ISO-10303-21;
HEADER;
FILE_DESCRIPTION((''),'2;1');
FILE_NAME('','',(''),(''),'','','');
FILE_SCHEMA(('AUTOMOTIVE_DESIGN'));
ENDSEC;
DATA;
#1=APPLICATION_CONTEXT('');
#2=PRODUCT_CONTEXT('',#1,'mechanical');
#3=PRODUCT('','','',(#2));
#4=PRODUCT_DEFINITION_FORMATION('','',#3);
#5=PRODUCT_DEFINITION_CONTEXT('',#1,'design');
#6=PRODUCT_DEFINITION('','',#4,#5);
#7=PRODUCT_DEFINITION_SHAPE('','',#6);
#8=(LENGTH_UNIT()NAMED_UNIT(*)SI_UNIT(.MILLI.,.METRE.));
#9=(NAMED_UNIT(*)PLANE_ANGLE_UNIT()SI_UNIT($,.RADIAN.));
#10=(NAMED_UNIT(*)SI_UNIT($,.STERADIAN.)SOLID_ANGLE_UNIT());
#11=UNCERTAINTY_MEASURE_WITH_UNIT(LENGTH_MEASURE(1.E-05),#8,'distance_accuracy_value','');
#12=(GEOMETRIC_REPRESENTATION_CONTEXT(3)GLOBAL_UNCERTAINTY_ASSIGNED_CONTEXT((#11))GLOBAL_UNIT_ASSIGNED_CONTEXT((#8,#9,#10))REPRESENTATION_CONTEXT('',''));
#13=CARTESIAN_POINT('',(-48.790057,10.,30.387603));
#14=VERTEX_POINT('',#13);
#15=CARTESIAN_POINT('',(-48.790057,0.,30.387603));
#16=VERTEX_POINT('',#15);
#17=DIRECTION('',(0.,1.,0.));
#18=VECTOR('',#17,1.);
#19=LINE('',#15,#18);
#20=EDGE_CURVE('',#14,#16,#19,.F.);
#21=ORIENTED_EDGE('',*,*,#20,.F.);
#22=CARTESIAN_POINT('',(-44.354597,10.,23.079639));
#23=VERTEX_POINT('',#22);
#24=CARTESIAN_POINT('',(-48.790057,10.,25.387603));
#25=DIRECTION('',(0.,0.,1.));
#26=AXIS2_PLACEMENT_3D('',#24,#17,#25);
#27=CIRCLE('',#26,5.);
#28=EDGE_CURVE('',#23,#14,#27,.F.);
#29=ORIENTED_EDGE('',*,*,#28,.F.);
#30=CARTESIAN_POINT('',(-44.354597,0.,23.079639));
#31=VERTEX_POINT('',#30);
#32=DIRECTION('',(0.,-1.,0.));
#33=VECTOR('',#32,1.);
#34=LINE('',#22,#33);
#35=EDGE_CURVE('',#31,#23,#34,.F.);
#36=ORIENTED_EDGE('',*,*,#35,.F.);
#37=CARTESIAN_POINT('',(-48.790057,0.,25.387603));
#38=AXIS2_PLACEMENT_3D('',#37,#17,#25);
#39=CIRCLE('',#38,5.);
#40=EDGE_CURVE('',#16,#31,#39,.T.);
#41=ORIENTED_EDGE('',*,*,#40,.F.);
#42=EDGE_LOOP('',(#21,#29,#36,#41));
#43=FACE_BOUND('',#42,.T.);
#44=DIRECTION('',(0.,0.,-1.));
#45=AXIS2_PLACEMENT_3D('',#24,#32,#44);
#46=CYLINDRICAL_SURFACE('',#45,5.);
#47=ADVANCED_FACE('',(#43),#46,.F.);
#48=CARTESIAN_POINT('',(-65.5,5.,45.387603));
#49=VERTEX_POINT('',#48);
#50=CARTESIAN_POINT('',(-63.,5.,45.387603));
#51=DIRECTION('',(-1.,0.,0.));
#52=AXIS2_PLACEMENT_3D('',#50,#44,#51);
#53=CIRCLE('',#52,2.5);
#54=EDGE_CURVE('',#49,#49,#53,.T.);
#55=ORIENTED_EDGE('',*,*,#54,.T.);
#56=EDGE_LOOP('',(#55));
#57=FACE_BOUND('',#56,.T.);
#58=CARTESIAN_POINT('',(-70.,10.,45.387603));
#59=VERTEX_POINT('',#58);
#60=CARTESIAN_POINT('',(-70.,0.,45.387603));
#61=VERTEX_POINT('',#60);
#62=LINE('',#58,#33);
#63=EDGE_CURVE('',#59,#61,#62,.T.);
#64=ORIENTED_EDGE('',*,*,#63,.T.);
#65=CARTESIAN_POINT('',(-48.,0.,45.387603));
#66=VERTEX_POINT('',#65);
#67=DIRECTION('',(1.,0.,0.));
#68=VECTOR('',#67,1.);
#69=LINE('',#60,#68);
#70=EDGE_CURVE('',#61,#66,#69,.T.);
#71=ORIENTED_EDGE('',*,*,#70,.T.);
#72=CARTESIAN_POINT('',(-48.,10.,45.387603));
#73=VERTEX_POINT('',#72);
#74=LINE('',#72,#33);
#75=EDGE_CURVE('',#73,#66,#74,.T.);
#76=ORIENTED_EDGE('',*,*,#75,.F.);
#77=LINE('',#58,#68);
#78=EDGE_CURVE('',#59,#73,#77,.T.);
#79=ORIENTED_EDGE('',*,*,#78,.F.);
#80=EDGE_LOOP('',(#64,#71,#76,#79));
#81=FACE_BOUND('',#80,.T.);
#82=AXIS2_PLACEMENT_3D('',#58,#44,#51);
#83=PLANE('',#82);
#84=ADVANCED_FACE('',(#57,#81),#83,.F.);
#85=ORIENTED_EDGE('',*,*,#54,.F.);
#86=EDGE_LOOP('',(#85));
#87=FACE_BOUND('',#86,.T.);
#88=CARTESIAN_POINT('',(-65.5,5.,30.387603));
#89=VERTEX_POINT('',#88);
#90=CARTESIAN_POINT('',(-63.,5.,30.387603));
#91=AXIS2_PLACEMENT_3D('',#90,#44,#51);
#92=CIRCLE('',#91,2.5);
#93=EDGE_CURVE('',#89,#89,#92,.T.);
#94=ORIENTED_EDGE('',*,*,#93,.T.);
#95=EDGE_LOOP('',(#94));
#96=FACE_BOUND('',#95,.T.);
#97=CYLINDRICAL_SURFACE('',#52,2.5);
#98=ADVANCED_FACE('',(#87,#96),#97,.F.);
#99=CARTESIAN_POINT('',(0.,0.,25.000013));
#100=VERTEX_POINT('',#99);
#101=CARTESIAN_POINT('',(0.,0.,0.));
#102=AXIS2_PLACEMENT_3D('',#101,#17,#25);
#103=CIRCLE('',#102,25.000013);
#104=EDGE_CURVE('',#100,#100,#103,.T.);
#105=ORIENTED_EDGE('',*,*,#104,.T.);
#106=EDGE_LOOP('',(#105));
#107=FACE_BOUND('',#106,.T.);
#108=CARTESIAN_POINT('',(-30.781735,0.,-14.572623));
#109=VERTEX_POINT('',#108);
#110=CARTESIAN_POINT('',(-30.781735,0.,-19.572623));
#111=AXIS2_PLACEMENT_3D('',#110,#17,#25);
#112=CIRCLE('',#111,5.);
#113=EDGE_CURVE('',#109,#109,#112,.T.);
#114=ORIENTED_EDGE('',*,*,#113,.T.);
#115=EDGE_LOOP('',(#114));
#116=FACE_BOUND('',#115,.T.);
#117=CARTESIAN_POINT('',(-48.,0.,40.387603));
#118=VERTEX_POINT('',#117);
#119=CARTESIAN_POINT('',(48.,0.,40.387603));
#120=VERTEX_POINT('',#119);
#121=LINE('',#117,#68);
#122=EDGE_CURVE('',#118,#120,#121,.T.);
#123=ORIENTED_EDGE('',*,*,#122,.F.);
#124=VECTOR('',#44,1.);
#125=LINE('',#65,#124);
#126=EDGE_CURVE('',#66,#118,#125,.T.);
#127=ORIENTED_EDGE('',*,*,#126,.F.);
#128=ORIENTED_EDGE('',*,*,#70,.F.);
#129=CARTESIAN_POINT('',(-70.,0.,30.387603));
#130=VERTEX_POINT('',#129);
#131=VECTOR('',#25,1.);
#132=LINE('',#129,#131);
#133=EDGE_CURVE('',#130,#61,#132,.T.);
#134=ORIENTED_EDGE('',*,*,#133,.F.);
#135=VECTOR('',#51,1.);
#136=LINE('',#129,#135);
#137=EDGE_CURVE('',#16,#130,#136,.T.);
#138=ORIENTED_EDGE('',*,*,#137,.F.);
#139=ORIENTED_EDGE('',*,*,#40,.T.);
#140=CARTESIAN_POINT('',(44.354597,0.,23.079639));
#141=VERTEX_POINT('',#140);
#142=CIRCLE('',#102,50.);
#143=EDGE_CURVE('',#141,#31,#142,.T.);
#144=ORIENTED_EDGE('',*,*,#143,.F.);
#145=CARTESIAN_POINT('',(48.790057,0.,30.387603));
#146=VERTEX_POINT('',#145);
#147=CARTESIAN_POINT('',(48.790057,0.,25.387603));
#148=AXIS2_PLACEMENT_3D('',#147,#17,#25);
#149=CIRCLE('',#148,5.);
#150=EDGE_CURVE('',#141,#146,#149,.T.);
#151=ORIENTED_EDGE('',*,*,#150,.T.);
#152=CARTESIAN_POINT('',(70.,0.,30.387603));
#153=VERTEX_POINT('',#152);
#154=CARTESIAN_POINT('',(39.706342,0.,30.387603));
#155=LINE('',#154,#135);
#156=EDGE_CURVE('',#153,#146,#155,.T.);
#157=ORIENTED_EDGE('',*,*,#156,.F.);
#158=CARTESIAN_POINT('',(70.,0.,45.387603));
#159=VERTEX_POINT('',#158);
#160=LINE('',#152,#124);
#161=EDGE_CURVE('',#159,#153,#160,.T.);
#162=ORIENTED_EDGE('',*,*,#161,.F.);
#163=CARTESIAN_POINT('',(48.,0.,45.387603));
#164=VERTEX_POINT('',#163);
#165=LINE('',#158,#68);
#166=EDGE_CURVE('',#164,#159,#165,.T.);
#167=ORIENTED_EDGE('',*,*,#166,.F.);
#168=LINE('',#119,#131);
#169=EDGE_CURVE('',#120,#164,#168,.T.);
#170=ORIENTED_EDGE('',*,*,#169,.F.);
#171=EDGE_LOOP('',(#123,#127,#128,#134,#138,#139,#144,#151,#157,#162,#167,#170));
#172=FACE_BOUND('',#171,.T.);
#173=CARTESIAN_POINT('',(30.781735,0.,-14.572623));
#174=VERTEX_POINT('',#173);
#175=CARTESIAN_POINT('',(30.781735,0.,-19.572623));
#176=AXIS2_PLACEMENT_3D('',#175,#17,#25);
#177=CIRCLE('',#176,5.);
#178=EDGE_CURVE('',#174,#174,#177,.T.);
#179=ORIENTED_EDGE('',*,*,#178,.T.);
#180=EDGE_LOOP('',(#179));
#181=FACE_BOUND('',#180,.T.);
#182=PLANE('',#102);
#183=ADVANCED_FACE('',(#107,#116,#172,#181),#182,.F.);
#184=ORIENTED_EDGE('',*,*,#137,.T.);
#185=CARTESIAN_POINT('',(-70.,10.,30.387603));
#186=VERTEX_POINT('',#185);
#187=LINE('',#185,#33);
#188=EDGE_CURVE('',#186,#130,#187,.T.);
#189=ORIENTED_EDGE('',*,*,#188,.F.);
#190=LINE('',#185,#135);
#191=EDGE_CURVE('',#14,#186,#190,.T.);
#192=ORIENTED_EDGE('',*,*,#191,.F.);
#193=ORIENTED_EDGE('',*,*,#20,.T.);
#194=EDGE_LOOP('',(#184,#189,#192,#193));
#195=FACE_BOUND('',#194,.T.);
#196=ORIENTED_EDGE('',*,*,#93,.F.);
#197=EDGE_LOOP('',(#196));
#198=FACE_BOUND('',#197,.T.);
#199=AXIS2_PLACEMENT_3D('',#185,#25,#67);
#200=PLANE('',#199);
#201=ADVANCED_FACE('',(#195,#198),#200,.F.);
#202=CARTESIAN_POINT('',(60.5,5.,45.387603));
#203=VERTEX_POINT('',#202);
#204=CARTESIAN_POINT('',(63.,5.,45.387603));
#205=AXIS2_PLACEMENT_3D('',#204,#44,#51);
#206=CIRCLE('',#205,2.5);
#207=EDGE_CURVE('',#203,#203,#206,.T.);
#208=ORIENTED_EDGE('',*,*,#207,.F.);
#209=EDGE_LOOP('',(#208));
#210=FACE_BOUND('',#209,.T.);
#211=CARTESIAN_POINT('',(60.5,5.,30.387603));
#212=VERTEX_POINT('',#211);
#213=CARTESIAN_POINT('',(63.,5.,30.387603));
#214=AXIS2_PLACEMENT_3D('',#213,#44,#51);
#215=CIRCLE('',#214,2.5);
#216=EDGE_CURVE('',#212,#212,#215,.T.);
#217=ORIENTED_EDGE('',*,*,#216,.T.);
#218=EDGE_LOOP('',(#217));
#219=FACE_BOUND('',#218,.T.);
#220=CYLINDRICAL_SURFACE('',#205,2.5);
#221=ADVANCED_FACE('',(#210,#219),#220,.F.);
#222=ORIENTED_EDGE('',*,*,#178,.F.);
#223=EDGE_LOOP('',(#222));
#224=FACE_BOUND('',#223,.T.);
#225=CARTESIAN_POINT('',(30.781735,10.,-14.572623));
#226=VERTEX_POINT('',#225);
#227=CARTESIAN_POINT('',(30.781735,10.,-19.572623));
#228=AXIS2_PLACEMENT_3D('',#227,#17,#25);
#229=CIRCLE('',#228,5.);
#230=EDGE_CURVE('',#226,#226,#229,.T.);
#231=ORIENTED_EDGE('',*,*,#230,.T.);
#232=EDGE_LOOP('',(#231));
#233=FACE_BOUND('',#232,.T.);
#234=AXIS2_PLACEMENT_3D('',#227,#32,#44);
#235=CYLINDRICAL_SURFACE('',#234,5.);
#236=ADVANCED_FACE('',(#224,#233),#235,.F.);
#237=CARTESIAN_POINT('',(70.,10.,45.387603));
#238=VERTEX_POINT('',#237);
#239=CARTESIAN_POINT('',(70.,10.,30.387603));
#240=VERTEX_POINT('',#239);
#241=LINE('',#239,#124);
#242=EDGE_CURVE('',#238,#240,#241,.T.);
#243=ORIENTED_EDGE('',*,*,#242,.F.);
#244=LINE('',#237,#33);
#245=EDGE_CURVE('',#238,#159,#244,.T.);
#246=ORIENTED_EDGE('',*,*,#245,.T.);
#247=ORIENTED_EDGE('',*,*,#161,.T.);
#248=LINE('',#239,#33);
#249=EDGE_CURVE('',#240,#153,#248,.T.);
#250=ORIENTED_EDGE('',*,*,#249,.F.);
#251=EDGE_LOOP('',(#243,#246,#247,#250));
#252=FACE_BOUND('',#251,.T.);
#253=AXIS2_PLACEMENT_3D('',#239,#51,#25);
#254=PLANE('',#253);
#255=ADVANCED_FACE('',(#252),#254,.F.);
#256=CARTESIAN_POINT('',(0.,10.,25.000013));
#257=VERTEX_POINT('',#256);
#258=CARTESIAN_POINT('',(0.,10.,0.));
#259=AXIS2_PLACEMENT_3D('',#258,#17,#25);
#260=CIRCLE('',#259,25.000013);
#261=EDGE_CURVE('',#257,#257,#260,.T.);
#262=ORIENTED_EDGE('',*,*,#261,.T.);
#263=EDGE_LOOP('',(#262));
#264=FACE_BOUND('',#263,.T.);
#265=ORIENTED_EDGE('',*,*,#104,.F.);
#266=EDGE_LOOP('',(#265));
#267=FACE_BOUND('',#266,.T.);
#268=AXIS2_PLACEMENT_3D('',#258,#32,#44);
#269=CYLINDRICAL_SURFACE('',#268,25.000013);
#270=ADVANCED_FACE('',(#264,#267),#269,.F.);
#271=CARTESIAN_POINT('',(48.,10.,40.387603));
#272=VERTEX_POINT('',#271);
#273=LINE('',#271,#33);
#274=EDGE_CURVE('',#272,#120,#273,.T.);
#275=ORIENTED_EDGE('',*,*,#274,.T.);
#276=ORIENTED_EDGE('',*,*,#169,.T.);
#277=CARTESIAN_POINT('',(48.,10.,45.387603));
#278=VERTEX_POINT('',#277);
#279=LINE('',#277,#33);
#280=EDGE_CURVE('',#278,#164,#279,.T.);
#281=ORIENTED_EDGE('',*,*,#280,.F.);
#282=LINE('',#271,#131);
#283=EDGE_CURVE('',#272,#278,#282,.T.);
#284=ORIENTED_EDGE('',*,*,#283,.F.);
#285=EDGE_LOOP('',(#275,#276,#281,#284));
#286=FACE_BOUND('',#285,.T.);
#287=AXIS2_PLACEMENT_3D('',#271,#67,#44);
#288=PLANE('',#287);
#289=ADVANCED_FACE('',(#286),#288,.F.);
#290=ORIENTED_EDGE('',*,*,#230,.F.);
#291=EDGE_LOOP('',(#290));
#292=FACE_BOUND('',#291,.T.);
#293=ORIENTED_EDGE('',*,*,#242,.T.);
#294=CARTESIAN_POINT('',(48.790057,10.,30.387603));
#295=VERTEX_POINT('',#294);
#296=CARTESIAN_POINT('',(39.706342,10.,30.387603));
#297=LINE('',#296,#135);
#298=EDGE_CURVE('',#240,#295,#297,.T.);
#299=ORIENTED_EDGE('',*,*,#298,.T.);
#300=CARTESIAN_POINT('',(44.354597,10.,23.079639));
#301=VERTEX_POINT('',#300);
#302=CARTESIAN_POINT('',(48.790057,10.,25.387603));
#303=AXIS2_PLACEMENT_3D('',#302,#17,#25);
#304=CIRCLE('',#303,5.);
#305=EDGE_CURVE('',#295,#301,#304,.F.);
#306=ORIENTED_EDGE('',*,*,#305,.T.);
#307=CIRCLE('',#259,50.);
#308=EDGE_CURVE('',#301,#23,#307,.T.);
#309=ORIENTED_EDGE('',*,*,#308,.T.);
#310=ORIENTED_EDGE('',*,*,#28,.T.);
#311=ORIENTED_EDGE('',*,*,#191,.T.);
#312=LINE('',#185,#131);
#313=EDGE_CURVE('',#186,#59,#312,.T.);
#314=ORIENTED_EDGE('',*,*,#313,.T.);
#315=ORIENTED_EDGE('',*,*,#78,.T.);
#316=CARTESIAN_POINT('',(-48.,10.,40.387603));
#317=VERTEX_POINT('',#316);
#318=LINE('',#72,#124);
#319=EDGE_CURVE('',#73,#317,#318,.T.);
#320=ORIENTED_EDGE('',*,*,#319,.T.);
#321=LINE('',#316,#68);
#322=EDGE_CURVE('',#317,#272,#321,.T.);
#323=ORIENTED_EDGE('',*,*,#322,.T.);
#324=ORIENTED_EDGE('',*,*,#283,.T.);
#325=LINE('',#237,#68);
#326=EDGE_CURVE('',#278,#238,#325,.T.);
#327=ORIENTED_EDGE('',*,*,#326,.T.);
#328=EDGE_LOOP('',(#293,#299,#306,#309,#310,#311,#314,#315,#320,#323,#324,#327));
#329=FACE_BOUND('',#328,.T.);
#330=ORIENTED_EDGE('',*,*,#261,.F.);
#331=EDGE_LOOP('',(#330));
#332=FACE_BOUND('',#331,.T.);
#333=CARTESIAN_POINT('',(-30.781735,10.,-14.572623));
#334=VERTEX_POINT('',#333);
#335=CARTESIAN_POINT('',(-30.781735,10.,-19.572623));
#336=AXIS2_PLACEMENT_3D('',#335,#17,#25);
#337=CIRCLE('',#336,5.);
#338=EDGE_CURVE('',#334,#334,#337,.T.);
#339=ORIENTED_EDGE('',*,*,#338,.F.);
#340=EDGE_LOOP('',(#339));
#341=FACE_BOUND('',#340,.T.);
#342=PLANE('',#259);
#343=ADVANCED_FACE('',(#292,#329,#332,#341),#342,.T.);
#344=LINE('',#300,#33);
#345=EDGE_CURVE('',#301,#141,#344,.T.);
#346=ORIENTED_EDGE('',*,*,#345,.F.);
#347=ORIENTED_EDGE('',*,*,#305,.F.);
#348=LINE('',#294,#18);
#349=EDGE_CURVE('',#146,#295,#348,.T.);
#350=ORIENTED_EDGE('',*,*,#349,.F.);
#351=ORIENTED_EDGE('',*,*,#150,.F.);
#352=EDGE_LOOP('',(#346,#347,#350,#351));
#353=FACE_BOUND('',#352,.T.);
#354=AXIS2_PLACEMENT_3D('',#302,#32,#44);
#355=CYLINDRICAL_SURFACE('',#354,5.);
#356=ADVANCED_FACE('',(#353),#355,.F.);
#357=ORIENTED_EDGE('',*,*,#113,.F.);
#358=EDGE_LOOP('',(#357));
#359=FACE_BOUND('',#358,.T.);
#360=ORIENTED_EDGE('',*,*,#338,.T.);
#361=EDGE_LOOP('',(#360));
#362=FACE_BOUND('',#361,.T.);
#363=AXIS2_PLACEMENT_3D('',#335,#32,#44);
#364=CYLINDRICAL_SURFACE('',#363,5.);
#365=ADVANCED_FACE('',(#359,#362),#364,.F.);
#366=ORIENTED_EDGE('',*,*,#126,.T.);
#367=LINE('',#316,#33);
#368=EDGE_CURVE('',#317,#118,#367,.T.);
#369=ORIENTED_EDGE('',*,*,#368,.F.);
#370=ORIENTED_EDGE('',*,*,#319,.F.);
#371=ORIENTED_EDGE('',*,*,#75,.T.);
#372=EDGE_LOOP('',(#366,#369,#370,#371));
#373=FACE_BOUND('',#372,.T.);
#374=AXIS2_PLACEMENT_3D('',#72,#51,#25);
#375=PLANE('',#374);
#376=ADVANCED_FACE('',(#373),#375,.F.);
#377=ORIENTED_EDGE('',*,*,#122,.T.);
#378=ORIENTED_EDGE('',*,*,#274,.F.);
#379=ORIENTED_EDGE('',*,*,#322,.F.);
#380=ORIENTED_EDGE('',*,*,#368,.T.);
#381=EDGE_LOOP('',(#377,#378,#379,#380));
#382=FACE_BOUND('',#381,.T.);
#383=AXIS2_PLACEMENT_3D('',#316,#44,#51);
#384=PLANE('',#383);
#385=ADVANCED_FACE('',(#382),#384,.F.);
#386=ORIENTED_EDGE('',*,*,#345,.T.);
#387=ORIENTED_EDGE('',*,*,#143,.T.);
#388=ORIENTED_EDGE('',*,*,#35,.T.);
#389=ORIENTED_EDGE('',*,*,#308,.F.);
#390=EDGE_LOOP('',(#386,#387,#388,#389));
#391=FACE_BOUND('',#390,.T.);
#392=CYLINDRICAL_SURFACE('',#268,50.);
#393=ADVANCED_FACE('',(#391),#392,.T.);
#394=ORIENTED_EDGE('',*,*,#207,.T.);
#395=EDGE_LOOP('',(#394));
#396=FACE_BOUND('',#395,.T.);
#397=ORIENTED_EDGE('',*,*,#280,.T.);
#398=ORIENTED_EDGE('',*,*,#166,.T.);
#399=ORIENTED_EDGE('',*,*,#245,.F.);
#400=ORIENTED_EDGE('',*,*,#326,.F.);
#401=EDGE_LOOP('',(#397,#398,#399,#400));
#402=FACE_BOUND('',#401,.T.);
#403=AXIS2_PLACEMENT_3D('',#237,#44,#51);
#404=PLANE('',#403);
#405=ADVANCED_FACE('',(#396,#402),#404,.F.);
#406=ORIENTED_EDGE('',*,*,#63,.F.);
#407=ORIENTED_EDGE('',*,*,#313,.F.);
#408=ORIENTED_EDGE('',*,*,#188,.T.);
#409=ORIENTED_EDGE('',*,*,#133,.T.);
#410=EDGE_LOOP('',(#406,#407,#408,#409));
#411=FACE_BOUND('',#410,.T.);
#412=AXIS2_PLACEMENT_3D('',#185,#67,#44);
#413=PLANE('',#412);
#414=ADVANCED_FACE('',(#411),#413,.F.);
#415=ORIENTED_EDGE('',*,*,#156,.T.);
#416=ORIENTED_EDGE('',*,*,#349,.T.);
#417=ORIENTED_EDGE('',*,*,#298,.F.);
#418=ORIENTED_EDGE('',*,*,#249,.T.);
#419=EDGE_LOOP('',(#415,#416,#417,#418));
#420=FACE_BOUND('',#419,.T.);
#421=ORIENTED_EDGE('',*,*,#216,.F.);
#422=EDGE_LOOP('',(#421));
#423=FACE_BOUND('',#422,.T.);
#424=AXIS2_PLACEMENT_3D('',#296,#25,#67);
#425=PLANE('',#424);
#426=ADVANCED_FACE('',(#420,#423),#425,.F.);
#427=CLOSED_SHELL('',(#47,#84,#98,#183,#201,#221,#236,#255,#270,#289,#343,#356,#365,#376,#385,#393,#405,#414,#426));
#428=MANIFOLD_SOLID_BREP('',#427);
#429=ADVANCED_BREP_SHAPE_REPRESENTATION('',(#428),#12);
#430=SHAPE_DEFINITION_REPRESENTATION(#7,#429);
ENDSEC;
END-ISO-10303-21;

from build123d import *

# Parameters (mm, degrees)
SKETCH1_R           = 25.000012525
SKETCH1_R_2         = 5
BOSS_EXTRUDE1_DEPTH = 10
SKETCH3_R           = 2.5
CUT_EXTRUDE1_DEPTH  = 16
SKETCH4_R           = 2.5
CUT_EXTRUDE2_DEPTH  = 16
FILLET1_R           = 5
FILLET2_R           = 5


with BuildPart() as part:
    # Sketch1 → Boss-Extrude1 (new body)
    with BuildSketch(Plane(origin=(0, 0, 0), x_dir=(1, 0, 0), z_dir=(0, 1, 0))):
        with BuildLine():
            Line((-70, -30.387602841), (-39.706341981, -30.387602841))
            ThreePointArc((-39.706341981, -30.387602841), (0, 50), (39.706341981, -30.387602841))
            Line((39.706341981, -30.387602841), (70, -30.387602841))
            Line((70, -30.387602841), (70, -45.387602841))
            Line((70, -45.387602841), (48, -45.387602841))
            Line((48, -45.387602841), (48, -40.387602841))
            Line((48, -40.387602841), (-48, -40.387602841))
            Line((-48, -40.387602841), (-48, -45.387602841))
            Line((-48, -45.387602841), (-70, -45.387602841))
            Line((-70, -45.387602841), (-70, -30.387602841))
        make_face()
        Circle(SKETCH1_R, mode=Mode.SUBTRACT)
        with Locations((30.781735211, 19.572623378)):
            Circle(SKETCH1_R_2, mode=Mode.SUBTRACT)
        with Locations((-30.781735211, 19.572623378)):
            Circle(SKETCH1_R_2, mode=Mode.SUBTRACT)
    extrude(amount=BOSS_EXTRUDE1_DEPTH)

    # Sketch3 → Cut-Extrude1 (cut, through all)
    with BuildSketch(Plane(origin=(0, 0, 30.387602841), x_dir=(-1, 0, 0), z_dir=(0, 0, -1))):
        with Locations((-63, 5)):
            Circle(SKETCH3_R)
    extrude(amount=-CUT_EXTRUDE1_DEPTH, mode=Mode.SUBTRACT)

    # Sketch4 → Cut-Extrude2 (cut, through all)
    with BuildSketch(Plane(origin=(0, 0, 30.387602841), x_dir=(-1, 0, 0), z_dir=(0, 0, -1))):
        with Locations((63, 5)):
            Circle(SKETCH4_R)
    extrude(amount=-CUT_EXTRUDE2_DEPTH, mode=Mode.SUBTRACT)

    # Fillet1
    fillet1_edges = [part.edges().sort_by_distance(p)[0] for p in [
        (39.706341981, 5, 30.387602841),
    ]]
    fillet(fillet1_edges, radius=FILLET1_R)

    # Fillet2
    fillet2_edges = [part.edges().sort_by_distance(p)[0] for p in [
        (-39.706341981, 5, 30.387602841),
    ]]
    fillet(fillet2_edges, radius=FILLET2_R)


solid = part.part
